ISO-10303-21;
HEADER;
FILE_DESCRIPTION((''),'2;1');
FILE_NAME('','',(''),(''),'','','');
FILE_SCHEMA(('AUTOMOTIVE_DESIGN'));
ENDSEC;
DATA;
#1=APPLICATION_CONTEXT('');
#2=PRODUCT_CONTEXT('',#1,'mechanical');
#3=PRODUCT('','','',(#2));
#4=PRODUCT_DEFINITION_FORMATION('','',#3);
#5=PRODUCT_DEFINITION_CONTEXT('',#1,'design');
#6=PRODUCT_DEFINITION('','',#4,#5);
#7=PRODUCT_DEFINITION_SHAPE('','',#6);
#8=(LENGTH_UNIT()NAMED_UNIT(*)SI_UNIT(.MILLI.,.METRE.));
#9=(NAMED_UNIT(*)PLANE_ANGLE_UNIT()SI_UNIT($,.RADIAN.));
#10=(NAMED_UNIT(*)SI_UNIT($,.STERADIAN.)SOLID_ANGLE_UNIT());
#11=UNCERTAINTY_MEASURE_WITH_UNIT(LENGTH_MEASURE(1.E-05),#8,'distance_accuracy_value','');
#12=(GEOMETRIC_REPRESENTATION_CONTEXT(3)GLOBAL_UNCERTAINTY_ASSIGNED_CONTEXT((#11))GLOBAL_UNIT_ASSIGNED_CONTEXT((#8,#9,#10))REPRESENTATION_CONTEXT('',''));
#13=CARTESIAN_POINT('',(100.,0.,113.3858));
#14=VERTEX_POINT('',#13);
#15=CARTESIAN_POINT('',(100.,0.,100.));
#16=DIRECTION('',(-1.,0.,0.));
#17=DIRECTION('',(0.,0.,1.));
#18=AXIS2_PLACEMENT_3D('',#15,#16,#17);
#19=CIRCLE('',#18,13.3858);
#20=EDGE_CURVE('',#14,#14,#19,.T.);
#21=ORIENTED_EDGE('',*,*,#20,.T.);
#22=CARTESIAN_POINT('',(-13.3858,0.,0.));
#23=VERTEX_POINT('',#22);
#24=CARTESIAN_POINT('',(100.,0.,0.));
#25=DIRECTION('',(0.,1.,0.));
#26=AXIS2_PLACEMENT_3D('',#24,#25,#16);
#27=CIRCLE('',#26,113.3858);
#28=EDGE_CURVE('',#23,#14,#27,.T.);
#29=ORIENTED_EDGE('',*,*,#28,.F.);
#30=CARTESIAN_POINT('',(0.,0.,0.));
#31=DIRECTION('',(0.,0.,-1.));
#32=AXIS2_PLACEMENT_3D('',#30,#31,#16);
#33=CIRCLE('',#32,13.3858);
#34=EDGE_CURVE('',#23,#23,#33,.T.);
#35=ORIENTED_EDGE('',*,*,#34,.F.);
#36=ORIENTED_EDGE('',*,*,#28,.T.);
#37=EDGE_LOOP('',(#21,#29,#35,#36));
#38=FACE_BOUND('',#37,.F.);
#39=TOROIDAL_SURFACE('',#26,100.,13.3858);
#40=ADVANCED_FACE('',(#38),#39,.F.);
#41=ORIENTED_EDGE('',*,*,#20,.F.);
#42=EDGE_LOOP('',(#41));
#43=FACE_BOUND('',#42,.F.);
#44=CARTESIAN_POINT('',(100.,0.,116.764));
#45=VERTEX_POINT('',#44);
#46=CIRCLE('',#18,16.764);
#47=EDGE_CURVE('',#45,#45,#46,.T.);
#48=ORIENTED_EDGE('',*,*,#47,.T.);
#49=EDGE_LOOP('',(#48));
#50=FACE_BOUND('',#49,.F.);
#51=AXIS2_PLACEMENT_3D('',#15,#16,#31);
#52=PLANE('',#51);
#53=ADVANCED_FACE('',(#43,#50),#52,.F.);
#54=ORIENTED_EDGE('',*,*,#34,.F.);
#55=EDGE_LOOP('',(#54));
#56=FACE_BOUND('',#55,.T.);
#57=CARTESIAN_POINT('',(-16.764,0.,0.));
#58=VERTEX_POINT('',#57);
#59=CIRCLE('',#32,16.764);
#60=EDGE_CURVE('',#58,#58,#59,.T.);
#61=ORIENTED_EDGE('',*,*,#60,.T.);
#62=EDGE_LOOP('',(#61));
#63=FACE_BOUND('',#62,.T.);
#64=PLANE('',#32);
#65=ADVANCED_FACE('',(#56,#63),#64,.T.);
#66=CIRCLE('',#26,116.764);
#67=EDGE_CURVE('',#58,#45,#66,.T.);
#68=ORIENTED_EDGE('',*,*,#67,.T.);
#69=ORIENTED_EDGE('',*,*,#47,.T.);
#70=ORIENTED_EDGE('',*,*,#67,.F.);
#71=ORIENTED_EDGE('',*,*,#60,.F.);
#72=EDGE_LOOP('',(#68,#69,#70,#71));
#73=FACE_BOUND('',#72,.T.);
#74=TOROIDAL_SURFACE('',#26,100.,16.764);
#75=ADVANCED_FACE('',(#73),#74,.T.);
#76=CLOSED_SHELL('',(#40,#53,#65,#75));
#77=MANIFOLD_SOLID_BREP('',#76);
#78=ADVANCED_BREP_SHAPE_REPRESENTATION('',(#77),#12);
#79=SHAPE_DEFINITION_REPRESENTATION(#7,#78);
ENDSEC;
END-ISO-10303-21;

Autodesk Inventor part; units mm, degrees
ref_plane "Start plane" through (0, 0, 0) normal (0, 0, 1) x (1, 0, 0)
ref_plane "End plane" through (0, 0, 157.0796) normal (0, 0, 1) x (1, 0, 0)
sketch "Sketch" plane through (0, 0, 0) normal (0, 0, -1) x (-1, 0, 0)
  circle A0 centre (0, 0) radius 13.3858
  circle A1 centre (0, 0) radius 16.764
  dimension "d0" = 33.528
  dimension "d1" = 3.3782
sketch "Sketch3" plane through (0, 0, 0) normal (0, 0, 1) x (1, 0, 0)
  line L0 (0, 0) -> (10, 0)
ref_plane "Work Plane3" through (0, 0, 0) normal (0, -1, 0) x (1, 0, 0)
ref_plane "Orientation Work Plane" through (0, 0, 0) normal (0, 0, -1) x (-1, 0, 0)
sketch3d "Sweep Path"
  arc A0 (0, 0, 0) -> (100, 0, 100) centre (100, 0, 0) ccw
sweep "Body" add profiles "Sketch" path "Sweep Path"
sketch "Sketch4" plane through (0, 0, 0) normal (0, -1, 0) x (1, 0, 0)
  line L0 (-2, 0) -> (12, 0) projected
  line L1 (-2, 157.0796) -> (12, 157.0796) projected
  dimension "d7" = 157.0796
equation "\"d0\" = G_H"
equation "\"d1\" = G_T"
equation "\"G_H\" = 33.528"
equation "\"G_T\" = 3.3782"
equation "\"G_L\" = d7"
equation "\"G_OFFSET_START\" = 0"
equation "\"G_OFFSET_END\" = 0"
equation "\"d5\" = G_OFFSET_END + B_L"
equation "\"B_L\" = 157.07963"
properties part number "ANSI - 1 x 0.133 - 6.184" material "Steel, Mild"
